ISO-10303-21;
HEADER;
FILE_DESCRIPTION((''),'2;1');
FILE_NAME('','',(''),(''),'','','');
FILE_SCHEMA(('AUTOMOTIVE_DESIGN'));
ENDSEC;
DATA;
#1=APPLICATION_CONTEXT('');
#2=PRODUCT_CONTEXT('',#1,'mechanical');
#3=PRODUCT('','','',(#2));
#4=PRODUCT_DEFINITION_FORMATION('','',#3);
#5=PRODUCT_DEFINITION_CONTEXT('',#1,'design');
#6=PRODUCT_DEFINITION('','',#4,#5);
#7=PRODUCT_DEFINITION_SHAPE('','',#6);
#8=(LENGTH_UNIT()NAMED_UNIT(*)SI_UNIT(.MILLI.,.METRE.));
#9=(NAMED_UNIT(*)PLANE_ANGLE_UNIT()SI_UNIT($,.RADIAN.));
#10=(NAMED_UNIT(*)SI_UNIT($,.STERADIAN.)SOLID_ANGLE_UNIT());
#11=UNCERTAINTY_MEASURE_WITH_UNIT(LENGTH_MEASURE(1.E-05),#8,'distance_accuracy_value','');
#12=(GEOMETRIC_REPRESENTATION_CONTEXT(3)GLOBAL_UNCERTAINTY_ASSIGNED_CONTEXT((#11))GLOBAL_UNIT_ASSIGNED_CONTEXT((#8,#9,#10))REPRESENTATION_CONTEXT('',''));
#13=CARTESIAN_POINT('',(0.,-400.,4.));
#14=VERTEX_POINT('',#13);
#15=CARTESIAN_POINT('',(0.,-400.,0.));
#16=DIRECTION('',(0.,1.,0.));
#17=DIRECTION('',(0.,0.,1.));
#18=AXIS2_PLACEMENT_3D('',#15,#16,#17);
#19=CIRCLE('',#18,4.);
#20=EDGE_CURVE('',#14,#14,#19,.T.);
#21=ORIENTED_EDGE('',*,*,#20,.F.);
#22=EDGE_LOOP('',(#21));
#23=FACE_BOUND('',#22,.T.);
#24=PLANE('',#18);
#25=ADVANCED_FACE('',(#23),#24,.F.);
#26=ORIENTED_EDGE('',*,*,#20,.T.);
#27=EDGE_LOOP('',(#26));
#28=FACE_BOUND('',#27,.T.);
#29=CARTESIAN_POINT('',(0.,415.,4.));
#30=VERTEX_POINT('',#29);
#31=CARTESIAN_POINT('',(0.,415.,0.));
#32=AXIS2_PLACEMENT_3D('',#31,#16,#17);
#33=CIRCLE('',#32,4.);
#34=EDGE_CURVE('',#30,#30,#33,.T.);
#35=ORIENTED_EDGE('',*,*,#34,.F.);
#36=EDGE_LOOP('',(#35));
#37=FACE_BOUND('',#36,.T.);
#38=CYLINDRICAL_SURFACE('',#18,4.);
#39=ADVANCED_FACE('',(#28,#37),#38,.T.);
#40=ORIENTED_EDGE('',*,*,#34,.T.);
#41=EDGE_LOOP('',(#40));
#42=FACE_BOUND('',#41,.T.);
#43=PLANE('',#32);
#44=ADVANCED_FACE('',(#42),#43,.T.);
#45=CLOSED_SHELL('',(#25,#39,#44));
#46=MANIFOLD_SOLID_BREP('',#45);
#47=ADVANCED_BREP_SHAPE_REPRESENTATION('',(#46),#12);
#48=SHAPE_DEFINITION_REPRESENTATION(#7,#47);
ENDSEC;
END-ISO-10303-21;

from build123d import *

# Parameters (mm, degrees)
BOSS_EXTRUDE1_DEPTH      = 415
BOSS_EXTRUDE1_DEPTH_BACK = 400
SKETCH1_R                = 4


with BuildPart() as part:
    # Sketch1 → Boss-Extrude1 (new, two sides: drawn at the far end of the back side and taken through both)
    with BuildSketch(Plane(origin=(0, 0, 0), x_dir=(1, 0, 0), z_dir=(0, 1, 0)).offset(-BOSS_EXTRUDE1_DEPTH_BACK)):
        with Locations(Location((0, 0, 0), (0, 0, 270))):
            Circle(SKETCH1_R)
    extrude(amount=BOSS_EXTRUDE1_DEPTH + BOSS_EXTRUDE1_DEPTH_BACK)


solid = part.part
